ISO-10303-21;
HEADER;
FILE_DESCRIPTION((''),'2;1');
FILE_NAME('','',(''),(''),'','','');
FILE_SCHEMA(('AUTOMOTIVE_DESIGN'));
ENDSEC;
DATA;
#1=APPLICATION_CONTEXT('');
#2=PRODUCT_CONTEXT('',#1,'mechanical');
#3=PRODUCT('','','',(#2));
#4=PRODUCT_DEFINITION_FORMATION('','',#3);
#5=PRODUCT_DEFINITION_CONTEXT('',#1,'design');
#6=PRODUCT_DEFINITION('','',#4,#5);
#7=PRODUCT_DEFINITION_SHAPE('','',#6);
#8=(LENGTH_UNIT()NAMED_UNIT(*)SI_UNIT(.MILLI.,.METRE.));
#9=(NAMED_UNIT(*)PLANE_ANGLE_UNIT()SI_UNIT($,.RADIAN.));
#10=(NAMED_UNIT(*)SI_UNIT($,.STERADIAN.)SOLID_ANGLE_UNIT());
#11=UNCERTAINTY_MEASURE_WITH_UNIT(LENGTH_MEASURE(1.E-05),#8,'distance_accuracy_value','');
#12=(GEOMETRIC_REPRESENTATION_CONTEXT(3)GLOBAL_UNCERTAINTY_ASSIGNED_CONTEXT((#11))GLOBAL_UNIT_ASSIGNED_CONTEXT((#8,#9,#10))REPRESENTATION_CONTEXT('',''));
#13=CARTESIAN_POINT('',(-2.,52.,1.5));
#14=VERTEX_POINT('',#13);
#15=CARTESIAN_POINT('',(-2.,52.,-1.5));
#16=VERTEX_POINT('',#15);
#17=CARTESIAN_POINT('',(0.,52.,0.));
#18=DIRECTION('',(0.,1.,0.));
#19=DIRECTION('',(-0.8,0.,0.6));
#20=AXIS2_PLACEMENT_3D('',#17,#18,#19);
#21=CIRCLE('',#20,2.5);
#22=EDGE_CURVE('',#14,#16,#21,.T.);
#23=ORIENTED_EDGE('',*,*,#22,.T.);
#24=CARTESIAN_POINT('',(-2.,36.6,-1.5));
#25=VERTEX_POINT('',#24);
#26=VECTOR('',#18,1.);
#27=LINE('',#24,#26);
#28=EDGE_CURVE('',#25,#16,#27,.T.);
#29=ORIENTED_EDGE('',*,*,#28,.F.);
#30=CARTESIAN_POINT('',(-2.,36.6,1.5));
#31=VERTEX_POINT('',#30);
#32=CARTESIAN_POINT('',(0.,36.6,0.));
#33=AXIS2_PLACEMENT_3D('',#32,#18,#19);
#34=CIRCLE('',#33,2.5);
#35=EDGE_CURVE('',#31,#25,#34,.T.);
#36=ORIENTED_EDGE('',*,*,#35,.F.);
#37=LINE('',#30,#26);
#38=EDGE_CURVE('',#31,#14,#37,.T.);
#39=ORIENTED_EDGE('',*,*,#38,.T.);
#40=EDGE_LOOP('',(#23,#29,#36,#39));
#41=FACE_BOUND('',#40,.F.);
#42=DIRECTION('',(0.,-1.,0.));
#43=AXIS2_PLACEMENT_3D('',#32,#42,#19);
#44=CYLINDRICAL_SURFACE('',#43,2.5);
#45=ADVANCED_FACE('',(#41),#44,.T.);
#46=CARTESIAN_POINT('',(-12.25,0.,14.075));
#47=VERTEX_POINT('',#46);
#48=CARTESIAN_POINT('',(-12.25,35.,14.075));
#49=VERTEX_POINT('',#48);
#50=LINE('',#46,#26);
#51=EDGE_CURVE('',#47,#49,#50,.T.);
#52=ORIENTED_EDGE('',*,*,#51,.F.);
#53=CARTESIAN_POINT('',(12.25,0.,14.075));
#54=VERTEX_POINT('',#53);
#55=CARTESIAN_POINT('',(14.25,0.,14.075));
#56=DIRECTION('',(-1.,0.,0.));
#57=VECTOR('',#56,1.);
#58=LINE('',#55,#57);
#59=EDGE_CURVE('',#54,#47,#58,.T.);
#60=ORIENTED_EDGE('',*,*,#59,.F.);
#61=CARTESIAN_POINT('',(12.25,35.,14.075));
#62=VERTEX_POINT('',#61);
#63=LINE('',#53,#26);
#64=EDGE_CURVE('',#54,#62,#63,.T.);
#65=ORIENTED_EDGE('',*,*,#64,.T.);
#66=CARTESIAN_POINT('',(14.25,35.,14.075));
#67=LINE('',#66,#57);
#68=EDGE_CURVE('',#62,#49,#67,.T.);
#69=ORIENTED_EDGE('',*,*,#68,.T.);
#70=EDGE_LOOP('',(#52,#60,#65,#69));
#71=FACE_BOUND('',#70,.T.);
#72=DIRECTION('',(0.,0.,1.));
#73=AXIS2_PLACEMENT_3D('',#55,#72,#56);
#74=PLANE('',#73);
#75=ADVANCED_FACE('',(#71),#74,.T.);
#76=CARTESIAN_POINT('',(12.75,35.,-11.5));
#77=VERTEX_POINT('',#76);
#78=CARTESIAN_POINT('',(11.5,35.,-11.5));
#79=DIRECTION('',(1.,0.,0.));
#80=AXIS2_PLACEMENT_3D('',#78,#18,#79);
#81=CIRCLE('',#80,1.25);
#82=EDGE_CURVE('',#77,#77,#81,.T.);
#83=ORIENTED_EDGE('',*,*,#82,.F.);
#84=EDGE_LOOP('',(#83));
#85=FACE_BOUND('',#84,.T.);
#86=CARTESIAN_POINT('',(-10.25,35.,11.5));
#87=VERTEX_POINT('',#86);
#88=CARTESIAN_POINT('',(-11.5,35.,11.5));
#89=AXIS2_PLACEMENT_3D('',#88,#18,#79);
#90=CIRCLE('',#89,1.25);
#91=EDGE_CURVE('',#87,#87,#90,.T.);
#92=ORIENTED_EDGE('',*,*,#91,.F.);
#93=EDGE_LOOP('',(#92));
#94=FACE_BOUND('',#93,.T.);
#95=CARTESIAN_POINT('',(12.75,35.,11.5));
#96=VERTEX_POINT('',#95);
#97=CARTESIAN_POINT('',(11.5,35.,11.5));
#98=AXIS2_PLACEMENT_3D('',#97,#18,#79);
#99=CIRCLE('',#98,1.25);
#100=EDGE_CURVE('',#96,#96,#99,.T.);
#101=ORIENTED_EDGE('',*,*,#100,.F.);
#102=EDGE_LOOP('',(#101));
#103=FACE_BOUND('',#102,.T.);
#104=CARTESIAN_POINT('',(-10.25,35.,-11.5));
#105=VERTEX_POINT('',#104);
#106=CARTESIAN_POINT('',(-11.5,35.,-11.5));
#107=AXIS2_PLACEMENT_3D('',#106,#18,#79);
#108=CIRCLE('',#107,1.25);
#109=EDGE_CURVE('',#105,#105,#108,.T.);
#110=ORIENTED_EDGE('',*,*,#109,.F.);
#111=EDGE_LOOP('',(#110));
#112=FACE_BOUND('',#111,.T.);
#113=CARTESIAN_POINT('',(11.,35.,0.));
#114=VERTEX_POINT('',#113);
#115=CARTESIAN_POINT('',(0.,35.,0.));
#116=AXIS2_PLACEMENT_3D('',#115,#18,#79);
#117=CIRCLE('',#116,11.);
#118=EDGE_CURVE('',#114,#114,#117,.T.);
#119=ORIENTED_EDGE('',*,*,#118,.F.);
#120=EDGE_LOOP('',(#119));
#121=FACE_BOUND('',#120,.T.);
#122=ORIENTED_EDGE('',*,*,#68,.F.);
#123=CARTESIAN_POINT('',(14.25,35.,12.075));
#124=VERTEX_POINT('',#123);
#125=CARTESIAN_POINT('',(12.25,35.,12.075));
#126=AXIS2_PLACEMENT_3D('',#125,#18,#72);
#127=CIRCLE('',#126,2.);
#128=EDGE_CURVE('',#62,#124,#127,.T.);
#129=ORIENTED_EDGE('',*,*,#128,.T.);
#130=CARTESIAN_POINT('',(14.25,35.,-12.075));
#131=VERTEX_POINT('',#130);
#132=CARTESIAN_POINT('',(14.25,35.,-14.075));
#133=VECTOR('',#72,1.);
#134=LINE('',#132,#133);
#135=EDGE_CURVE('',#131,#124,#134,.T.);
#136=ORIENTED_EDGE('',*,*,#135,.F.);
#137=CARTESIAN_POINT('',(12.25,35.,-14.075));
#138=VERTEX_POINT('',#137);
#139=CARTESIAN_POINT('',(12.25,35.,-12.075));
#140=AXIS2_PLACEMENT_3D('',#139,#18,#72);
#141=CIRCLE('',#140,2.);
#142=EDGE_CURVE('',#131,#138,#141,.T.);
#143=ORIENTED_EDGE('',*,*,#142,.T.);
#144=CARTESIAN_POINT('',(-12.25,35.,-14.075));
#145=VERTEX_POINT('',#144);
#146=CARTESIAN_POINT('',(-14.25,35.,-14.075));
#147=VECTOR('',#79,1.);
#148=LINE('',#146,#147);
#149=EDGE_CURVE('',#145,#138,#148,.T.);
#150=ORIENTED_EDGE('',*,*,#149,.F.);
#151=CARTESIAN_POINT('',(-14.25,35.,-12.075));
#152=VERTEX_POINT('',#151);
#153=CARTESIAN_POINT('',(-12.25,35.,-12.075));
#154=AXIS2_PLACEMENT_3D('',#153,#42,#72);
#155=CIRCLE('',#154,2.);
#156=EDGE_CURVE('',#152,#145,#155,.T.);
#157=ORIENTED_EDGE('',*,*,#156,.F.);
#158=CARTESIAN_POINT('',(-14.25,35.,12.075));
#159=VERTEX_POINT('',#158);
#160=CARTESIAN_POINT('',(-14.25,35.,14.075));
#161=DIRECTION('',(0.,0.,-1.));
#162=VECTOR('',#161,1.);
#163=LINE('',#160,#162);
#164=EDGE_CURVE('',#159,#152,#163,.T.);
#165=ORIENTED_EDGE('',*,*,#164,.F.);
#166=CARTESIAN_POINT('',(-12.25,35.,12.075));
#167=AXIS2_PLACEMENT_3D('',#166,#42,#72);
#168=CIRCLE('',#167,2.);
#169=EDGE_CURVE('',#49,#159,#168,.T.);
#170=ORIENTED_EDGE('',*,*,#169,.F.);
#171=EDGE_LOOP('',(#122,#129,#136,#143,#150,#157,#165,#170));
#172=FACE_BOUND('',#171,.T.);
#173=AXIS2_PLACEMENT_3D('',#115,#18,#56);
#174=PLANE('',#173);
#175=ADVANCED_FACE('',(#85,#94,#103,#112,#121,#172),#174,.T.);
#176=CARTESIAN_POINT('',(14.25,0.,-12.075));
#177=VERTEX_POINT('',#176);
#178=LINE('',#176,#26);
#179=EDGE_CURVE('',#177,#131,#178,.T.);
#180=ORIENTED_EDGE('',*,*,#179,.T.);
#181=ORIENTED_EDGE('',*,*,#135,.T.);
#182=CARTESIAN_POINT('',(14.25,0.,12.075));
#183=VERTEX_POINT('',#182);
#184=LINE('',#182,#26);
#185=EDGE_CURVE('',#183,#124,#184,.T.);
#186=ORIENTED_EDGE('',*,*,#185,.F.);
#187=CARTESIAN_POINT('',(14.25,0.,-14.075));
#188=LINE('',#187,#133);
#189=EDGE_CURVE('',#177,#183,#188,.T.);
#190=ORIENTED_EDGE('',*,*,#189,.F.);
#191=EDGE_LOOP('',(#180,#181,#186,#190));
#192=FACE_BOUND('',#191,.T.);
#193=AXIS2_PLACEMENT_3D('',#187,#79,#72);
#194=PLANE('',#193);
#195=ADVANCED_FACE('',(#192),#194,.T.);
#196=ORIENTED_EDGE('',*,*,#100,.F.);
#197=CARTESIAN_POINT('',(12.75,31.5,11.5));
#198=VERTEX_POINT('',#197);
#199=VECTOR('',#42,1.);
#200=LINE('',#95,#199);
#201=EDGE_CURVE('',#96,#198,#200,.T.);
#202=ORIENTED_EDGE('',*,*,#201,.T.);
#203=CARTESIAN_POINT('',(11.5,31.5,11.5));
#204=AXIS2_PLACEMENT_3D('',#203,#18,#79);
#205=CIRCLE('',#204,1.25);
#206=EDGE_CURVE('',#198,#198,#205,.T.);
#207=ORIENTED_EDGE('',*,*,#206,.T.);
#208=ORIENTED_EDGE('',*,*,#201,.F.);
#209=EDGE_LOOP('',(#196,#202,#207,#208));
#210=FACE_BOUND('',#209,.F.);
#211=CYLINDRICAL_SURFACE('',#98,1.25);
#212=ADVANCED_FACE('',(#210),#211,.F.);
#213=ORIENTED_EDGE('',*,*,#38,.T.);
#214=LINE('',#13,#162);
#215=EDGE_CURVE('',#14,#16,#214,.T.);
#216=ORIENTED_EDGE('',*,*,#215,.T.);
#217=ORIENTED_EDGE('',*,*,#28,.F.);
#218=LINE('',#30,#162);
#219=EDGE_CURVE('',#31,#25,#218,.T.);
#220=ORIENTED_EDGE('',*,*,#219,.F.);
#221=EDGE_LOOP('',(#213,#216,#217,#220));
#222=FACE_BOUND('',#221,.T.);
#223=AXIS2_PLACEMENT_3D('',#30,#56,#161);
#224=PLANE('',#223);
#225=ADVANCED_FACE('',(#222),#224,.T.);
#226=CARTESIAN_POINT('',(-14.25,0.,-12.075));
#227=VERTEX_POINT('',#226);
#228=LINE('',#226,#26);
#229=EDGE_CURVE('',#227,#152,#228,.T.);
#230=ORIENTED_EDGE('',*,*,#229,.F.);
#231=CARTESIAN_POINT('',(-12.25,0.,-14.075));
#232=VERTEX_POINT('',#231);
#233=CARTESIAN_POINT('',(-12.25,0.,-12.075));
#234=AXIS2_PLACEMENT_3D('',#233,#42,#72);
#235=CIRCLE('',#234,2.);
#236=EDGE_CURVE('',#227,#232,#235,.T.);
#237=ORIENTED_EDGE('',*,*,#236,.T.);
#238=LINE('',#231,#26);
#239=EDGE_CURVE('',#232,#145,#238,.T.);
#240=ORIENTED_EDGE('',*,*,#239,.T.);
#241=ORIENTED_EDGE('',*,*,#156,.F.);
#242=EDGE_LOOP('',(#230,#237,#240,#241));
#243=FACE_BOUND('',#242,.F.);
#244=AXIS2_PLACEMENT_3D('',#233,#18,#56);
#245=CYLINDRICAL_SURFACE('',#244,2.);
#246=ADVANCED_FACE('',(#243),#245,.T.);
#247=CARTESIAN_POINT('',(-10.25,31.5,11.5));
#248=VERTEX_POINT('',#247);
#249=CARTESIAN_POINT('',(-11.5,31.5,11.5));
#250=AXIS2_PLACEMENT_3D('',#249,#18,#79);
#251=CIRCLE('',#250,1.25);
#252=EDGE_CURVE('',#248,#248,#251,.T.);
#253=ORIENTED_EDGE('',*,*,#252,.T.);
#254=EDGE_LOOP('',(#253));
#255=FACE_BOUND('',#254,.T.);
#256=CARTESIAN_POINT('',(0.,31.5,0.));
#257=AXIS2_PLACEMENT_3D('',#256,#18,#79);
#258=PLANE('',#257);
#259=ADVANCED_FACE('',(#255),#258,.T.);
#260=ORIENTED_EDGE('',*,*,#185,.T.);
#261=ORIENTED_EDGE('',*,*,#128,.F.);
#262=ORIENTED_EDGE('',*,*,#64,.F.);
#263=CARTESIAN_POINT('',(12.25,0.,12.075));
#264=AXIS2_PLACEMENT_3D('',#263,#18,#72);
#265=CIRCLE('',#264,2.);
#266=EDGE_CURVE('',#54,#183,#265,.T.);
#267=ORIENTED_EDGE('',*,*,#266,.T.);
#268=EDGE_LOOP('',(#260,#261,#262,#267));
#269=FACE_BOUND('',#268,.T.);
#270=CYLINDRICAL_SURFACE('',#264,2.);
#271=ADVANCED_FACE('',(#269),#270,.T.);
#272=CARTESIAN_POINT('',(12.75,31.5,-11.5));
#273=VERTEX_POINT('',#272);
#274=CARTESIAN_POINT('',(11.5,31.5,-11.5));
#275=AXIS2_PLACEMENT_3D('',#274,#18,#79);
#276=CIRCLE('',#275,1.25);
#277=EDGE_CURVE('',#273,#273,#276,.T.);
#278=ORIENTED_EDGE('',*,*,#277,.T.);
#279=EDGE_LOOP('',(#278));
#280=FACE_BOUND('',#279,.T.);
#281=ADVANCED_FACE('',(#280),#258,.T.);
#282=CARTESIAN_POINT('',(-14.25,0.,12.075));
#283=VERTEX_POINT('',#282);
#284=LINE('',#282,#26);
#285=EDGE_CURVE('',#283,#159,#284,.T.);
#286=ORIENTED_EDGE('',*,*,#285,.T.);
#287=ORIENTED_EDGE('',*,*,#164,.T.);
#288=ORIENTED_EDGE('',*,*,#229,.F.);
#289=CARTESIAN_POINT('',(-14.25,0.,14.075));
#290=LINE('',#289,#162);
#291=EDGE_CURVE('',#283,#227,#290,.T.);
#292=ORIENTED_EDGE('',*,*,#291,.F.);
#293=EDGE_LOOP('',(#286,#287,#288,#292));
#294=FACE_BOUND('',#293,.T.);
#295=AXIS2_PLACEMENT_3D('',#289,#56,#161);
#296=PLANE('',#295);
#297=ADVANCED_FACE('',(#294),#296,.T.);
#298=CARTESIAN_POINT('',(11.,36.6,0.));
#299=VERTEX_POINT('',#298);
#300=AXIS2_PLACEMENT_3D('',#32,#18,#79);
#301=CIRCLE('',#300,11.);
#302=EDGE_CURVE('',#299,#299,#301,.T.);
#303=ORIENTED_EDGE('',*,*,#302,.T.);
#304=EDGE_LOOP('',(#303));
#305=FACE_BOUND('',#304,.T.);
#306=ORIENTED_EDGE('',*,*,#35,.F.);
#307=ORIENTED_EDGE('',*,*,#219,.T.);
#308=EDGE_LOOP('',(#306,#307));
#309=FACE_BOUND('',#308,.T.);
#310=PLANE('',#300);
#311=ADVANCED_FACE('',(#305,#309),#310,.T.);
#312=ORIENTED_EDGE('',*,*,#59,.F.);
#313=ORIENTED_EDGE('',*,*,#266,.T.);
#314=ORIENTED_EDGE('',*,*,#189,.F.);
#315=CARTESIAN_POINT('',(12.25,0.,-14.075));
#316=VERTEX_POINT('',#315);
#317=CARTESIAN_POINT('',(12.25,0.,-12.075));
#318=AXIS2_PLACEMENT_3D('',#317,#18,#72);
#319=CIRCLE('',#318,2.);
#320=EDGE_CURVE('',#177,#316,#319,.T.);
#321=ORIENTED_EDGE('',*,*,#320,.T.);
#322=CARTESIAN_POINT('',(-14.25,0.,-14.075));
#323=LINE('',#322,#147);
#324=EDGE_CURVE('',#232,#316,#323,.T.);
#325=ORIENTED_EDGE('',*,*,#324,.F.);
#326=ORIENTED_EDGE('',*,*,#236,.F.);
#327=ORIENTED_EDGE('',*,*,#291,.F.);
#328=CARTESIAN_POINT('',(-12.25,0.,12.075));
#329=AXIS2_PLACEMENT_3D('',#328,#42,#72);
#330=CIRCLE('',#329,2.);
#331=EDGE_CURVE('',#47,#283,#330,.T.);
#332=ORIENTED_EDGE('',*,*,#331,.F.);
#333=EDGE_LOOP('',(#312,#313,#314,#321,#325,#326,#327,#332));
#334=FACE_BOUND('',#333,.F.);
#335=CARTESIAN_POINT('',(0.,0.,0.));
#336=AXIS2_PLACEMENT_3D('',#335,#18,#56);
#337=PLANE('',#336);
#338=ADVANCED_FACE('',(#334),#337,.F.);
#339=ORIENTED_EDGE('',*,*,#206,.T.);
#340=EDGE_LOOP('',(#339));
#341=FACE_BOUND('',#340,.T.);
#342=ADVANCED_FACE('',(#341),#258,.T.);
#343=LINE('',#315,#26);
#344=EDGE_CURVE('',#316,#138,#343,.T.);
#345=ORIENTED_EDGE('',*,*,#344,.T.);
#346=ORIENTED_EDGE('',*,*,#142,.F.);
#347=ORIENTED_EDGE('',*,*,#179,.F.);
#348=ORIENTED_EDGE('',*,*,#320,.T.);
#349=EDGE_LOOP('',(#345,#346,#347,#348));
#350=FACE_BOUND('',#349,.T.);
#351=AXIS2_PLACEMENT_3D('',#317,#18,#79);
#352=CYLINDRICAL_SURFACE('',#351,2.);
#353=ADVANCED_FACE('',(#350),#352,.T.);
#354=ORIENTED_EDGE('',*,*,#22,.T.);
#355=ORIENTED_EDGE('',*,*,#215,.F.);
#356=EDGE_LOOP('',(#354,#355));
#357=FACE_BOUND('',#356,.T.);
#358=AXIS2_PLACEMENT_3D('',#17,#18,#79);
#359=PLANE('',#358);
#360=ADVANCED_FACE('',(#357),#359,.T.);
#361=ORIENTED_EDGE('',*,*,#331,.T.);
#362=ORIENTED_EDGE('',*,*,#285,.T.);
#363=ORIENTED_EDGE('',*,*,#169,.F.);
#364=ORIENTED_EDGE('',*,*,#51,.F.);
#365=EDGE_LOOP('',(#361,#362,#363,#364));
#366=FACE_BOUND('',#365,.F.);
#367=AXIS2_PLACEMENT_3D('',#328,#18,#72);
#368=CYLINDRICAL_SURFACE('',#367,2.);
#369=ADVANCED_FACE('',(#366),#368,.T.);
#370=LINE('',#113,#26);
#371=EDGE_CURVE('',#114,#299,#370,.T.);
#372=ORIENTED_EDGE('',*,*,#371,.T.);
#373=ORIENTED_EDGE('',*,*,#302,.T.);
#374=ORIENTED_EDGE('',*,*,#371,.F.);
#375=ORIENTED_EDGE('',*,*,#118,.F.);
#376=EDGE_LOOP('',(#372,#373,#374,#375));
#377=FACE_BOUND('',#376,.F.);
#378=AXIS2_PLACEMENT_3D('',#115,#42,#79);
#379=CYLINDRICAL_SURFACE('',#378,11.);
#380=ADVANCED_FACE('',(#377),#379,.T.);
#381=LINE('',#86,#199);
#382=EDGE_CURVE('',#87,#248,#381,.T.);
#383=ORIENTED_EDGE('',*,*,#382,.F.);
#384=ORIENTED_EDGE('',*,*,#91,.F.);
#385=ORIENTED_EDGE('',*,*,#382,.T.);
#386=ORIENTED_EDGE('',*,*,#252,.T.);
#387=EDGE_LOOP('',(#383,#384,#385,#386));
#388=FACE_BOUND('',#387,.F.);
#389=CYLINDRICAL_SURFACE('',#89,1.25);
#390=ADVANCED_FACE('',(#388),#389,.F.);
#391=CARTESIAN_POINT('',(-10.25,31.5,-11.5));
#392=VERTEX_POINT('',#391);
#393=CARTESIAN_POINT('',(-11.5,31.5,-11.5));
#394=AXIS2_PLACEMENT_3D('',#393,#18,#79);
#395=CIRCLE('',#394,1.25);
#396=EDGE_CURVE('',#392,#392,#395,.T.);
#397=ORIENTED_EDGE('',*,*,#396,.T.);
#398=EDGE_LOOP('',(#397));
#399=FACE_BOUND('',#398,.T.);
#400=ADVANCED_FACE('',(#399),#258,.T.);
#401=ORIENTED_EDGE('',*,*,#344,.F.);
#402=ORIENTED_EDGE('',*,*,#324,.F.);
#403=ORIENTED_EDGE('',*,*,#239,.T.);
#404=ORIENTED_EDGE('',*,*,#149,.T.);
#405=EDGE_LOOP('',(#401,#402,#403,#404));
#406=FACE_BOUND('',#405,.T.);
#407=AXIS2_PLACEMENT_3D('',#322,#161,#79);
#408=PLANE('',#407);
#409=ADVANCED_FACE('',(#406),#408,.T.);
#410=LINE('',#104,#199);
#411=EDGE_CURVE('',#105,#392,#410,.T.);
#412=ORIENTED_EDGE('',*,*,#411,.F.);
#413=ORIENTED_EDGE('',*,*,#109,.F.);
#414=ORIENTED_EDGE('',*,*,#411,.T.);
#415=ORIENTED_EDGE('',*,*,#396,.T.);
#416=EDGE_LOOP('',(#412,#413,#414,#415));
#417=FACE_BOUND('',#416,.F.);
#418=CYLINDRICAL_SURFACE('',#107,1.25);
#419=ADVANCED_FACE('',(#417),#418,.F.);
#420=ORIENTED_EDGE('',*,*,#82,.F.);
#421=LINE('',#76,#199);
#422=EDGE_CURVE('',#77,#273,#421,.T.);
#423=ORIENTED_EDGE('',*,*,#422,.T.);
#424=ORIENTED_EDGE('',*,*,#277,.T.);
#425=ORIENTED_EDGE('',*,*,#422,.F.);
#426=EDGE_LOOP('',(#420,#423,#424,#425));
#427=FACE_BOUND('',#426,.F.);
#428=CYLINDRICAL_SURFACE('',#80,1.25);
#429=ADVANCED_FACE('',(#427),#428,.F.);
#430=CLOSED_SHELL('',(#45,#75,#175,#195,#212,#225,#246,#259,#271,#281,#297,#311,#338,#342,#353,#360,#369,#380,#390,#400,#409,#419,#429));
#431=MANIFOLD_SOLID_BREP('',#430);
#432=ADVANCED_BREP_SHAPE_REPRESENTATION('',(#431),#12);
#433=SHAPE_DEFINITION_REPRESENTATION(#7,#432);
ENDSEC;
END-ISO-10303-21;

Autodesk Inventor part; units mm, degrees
ref_plane "YZ Plane" through (0, 0, 0) normal (1, 0, 0) x (0, 1, 0)
ref_plane "XZ Plane" through (0, 0, 0) normal (0, 1, 0) x (-1, 0, 0)
ref_plane "XY Plane" through (0, 0, 0) normal (0, 0, 1) x (1, 0, 0)
sketch "草圖1" plane through (0, 0, 0) normal (0, 1, 0) x (-1, 0, 0)
  line L0 (-14.25, 14.075) -> (14.25, 14.075)
  line L1 (14.25, 14.075) -> (14.25, -14.075)
  line L2 (14.25, -14.075) -> (-14.25, -14.075)
  line L3 (-14.25, -14.075) -> (-14.25, 14.075)
  line L4 (-14.25, 14.075) -> (14.25, -14.075) construction
  line L5 (14.25, 14.075) -> (-14.25, -14.075) construction
  point P0 (0, 0)
  dimension "d0" = 28.5
  dimension "d1" = 28.15
extrude "擠出1" add sketch "草圖1" along normal blind 35
sketch "草圖2" plane through (0, 35, 0) normal (0, 1, 0) x (1, 0, 0)
  circle A0 centre (0, 0) radius 11
  dimension "d4" = 22
extrude "擠出2" add sketch "草圖2" along normal blind 1.6
sketch "草圖3" plane through (0, 36.6, 0) normal (0, 1, 0) x (1, 0, 0)
  arc A0 (-2, -1.5) -> (-2, 1.5) centre (0, 0) ccw
  line L0 (-2, -1.5) -> (-2, 1.5)
  dimension "d7" = 5
  dimension "d8" = 2
extrude "擠出3" add sketch "草圖3" along normal blind 15.4
sketch "草圖4" plane through (0, 35, 0) normal (0, 1, 0) x (1, 0, 0)
  line L0 (11.5, -11.5) -> (-11.5, -11.5) construction
  line L1 (-11.5, -11.5) -> (-11.5, 11.5) construction
  line L2 (-11.5, 11.5) -> (11.5, 11.5) construction
  line L3 (11.5, 11.5) -> (11.5, -11.5) construction
  arc A0 (-2, -1.5) -> (-2, 1.5) centre (0, 0) ccw construction
  line L4 (11.5, -11.5) -> (-11.5, 11.5) construction
  line L5 (-11.5, -11.5) -> (11.5, 11.5) construction
  circle A1 centre (-11.5, 11.5) radius 1.25
  circle A2 centre (-11.5, -11.5) radius 1.25
  circle A3 centre (11.5, -11.5) radius 1.25
  circle A4 centre (11.5, 11.5) radius 1.25
  dimension "d11" = 23
  dimension "d12" = 23
  dimension "d13" = 2.5
  dimension "d16" = 360
extrude "擠出4" cut sketch "草圖4" against normal blind 3.5
fillet "圓角1" radius 2 4 edges at (14.25, 17.5, 14.075) (14.25, 17.5, -14.075) (-14.25, 17.5, 14.075) (-14.25, 17.5, -14.075)
sketch "草圖5" plane through (0, 52, 0) normal (0, 1, 0) x (1, 0, 0)
  arc A0 (-2, -1.5) -> (-2, 1.5) centre (0, 0) ccw projected
properties part number "nema 11x35"
